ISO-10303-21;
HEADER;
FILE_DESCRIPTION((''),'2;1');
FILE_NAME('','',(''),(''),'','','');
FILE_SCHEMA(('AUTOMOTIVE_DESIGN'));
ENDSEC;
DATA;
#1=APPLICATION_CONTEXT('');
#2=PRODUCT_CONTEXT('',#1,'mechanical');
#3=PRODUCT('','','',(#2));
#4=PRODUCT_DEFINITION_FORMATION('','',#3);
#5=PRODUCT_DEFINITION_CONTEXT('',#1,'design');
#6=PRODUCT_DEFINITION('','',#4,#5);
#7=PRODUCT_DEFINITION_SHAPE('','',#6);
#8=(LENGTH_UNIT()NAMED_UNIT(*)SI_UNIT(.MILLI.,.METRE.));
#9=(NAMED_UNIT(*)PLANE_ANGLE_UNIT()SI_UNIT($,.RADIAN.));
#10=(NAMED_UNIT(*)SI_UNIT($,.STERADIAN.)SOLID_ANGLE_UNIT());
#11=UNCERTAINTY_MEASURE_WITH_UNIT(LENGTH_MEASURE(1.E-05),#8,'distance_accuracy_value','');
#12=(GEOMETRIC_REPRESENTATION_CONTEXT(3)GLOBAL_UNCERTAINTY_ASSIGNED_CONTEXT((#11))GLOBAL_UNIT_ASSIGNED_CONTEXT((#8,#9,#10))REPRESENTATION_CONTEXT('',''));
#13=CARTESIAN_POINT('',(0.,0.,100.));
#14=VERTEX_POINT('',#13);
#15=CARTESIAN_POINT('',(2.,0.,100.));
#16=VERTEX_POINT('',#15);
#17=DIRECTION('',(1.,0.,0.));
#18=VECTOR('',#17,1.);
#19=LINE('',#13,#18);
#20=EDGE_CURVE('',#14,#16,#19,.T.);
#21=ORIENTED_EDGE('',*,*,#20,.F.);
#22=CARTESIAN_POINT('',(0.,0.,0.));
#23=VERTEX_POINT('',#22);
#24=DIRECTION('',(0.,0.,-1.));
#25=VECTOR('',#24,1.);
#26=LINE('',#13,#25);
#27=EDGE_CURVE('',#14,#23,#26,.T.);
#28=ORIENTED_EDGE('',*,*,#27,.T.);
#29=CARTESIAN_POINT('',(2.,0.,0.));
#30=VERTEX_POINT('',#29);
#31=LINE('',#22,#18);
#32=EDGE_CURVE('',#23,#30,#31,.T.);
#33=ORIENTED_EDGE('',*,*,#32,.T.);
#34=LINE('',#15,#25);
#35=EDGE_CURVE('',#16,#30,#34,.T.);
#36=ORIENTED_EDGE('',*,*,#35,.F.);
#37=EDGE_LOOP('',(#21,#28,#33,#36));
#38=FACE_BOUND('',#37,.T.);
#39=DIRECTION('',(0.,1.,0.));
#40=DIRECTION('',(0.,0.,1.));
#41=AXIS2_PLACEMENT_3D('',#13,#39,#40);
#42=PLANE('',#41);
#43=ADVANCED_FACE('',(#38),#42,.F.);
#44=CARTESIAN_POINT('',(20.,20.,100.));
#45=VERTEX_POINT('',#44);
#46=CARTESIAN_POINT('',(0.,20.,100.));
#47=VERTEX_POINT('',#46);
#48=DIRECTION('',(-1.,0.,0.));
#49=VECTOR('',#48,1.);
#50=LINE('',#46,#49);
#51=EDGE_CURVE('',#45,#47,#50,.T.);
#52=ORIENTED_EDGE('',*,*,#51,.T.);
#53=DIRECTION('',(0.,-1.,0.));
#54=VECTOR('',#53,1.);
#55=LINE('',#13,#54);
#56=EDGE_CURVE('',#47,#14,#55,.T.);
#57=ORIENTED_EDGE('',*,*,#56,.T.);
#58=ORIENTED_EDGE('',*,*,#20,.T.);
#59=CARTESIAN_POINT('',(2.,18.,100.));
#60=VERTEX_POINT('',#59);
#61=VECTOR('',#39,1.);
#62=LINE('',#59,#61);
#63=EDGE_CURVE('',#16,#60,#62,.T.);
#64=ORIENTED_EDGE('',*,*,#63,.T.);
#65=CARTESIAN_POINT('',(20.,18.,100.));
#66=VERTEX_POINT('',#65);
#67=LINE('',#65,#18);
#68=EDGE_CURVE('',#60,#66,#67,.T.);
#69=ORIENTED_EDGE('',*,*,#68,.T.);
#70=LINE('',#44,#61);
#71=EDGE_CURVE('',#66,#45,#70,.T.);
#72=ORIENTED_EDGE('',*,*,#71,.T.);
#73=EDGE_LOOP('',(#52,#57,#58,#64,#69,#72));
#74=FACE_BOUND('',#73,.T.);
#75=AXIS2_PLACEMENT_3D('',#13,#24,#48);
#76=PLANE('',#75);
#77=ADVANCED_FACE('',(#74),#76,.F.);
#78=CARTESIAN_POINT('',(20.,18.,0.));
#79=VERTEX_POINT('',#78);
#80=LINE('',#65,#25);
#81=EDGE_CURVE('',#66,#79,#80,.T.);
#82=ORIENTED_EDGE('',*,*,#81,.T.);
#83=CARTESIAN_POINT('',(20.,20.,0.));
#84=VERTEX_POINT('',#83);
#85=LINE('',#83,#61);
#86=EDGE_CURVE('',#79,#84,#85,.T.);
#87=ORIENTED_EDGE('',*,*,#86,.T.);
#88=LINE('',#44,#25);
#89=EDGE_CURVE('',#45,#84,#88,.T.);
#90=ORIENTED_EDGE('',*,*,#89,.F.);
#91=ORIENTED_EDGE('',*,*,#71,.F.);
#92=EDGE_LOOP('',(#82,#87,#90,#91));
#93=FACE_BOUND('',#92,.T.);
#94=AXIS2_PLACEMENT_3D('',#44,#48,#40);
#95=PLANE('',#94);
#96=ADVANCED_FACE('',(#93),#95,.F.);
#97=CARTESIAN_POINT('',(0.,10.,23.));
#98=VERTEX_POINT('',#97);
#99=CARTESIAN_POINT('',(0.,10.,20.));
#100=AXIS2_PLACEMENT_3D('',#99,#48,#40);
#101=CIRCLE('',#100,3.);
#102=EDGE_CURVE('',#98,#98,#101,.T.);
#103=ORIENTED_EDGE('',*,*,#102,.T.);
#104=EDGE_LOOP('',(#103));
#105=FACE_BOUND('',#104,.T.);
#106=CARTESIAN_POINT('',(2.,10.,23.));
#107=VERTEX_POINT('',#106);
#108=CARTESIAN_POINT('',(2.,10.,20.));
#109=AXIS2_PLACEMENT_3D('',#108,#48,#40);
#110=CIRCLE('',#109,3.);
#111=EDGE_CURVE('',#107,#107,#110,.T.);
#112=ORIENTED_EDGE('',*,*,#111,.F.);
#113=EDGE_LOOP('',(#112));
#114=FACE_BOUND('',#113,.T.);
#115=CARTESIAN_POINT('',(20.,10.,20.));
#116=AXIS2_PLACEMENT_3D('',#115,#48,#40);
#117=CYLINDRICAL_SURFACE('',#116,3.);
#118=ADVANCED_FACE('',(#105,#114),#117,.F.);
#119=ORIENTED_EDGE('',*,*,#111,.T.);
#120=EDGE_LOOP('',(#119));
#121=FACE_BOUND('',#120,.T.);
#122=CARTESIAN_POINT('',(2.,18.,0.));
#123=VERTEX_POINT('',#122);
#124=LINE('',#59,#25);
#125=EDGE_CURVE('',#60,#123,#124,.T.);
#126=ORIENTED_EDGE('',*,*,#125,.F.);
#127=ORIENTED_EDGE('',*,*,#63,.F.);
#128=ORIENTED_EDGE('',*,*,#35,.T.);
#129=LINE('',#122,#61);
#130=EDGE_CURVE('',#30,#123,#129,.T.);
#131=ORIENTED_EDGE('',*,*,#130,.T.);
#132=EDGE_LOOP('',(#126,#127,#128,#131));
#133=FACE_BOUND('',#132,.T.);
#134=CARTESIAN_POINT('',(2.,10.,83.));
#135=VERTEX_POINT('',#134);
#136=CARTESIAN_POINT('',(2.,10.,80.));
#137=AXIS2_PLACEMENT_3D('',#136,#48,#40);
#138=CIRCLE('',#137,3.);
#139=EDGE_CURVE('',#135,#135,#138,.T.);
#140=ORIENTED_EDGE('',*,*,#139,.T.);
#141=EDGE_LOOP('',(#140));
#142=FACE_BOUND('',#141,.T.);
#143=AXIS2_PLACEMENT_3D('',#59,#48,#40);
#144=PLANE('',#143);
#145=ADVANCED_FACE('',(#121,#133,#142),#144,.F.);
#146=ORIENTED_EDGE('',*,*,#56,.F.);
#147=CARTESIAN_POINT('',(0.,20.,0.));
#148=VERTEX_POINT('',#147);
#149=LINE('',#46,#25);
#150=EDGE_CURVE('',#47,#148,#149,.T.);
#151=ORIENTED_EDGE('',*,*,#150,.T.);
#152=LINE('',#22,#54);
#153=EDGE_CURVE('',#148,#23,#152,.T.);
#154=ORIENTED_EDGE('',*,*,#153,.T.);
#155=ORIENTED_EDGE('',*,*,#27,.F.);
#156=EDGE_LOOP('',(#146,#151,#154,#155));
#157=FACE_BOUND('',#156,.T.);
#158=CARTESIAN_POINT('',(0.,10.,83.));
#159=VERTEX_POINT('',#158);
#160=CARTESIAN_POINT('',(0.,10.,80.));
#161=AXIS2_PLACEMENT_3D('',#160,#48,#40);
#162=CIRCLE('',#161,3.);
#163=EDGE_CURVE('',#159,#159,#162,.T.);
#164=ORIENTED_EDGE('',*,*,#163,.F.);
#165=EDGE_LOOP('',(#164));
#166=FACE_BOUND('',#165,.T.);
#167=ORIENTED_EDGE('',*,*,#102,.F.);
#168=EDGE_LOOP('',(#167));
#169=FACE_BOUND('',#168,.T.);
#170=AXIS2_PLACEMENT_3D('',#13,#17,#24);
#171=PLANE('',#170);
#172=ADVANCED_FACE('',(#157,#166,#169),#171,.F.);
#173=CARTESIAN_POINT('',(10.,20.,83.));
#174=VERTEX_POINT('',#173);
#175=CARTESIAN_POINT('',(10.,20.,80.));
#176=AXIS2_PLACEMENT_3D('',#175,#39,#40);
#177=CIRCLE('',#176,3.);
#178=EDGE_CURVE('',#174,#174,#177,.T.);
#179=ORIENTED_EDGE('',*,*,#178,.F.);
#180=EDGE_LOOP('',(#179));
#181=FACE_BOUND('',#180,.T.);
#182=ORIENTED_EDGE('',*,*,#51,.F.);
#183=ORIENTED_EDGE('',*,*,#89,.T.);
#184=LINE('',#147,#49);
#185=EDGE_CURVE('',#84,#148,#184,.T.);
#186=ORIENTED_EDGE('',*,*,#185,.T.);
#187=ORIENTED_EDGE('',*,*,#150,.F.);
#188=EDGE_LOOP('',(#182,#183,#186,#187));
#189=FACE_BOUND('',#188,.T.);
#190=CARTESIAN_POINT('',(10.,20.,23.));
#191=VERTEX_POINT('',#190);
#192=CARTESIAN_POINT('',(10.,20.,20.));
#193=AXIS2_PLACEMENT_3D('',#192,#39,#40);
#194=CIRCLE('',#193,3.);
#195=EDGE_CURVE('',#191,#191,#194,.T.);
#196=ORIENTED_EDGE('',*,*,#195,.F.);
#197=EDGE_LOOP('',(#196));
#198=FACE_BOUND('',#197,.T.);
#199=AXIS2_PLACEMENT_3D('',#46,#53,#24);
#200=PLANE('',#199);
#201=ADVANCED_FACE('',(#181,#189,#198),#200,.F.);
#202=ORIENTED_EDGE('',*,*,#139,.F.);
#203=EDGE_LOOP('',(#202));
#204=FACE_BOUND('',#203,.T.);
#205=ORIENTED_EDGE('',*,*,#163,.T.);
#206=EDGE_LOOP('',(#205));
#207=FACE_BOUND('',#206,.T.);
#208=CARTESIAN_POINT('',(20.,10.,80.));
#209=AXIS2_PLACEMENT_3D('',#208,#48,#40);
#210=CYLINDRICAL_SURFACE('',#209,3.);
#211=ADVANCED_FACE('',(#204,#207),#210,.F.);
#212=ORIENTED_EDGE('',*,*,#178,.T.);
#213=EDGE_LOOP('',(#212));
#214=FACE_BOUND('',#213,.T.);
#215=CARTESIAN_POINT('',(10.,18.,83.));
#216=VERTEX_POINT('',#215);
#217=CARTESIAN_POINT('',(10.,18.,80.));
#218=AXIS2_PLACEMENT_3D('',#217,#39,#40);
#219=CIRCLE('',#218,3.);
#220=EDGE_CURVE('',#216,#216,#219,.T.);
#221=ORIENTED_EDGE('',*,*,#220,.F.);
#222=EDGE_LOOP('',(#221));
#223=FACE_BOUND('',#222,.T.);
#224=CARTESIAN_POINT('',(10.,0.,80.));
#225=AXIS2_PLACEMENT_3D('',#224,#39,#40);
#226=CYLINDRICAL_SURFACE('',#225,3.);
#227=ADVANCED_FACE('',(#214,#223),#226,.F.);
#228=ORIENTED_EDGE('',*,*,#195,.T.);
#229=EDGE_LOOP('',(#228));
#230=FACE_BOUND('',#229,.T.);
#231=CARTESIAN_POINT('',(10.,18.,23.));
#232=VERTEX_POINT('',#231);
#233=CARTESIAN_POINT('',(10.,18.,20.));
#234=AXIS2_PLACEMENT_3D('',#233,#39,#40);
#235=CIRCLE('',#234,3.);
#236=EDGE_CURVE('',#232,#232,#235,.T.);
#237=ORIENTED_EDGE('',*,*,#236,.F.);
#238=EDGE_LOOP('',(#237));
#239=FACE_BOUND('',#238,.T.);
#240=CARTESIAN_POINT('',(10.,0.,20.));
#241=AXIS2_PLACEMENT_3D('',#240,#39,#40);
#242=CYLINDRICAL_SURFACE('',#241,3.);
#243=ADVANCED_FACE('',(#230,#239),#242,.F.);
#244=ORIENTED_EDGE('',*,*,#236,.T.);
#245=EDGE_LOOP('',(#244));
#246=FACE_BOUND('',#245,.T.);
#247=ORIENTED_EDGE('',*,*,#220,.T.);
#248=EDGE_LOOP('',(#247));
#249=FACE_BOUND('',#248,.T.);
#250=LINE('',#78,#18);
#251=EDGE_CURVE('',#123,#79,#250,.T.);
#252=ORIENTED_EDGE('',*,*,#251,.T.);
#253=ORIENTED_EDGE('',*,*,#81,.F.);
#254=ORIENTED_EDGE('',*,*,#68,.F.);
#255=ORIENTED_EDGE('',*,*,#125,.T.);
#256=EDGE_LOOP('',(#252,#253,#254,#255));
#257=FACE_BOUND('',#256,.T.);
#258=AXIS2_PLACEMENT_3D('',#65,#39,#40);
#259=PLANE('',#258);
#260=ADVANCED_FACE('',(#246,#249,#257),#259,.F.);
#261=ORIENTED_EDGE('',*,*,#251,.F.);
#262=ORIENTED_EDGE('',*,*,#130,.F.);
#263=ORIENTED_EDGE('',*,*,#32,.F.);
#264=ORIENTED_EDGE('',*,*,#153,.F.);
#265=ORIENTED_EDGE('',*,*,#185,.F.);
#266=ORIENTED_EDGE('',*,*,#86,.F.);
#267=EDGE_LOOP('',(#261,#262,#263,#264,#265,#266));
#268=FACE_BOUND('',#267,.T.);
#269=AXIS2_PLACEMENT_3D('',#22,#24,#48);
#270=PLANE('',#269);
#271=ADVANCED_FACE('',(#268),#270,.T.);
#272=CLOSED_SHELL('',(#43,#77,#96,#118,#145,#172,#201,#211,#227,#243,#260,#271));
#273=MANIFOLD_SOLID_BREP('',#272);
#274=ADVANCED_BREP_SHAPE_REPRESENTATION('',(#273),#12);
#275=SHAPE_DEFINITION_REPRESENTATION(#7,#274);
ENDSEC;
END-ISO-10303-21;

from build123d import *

# Parameters (mm, degrees)
BOSS_EXTRUDE1_DEPTH = 100
SKETCH3_R           = 3
CUT_EXTRUDE1_DEPTH  = 20
SKETCH4_R           = 3
CUT_EXTRUDE2_DEPTH  = 20
SKETCH5_R           = 3
CUT_EXTRUDE3_DEPTH  = 20
SKETCH6_R           = 3
CUT_EXTRUDE4_DEPTH  = 20


with BuildPart() as part:
    # Sketch2 → Boss-Extrude1 (new body)
    with BuildSketch(Plane.XY):
        Polygon((0, 0), (0, 20), (20, 20), (20, 18), (2, 18), (2, 0), align=None)
    extrude(amount=BOSS_EXTRUDE1_DEPTH)

    # Sketch3 → Cut-Extrude1 (cut)
    with BuildSketch(Plane.ZY):
        with Locations((80, 10)):
            Circle(SKETCH3_R)
    extrude(amount=-CUT_EXTRUDE1_DEPTH, mode=Mode.SUBTRACT)

    # Sketch4 → Cut-Extrude2 (cut)
    with BuildSketch(Plane.ZY):
        with Locations((20, 10)):
            Circle(SKETCH4_R)
    extrude(amount=-CUT_EXTRUDE2_DEPTH, mode=Mode.SUBTRACT)

    # Sketch5 → Cut-Extrude3 (cut)
    with BuildSketch(Plane(origin=(0, 20, 0), x_dir=(1, 0, 0), z_dir=(0, 1, 0))):
        with Locations((10, -80)):
            Circle(SKETCH5_R)
    extrude(amount=-CUT_EXTRUDE3_DEPTH, mode=Mode.SUBTRACT)

    # Sketch6 → Cut-Extrude4 (cut)
    with BuildSketch(Plane(origin=(0, 20, 0), x_dir=(1, 0, 0), z_dir=(0, 1, 0))):
        with Locations((10, -20)):
            Circle(SKETCH6_R)
    extrude(amount=-CUT_EXTRUDE4_DEPTH, mode=Mode.SUBTRACT)


solid = part.part
